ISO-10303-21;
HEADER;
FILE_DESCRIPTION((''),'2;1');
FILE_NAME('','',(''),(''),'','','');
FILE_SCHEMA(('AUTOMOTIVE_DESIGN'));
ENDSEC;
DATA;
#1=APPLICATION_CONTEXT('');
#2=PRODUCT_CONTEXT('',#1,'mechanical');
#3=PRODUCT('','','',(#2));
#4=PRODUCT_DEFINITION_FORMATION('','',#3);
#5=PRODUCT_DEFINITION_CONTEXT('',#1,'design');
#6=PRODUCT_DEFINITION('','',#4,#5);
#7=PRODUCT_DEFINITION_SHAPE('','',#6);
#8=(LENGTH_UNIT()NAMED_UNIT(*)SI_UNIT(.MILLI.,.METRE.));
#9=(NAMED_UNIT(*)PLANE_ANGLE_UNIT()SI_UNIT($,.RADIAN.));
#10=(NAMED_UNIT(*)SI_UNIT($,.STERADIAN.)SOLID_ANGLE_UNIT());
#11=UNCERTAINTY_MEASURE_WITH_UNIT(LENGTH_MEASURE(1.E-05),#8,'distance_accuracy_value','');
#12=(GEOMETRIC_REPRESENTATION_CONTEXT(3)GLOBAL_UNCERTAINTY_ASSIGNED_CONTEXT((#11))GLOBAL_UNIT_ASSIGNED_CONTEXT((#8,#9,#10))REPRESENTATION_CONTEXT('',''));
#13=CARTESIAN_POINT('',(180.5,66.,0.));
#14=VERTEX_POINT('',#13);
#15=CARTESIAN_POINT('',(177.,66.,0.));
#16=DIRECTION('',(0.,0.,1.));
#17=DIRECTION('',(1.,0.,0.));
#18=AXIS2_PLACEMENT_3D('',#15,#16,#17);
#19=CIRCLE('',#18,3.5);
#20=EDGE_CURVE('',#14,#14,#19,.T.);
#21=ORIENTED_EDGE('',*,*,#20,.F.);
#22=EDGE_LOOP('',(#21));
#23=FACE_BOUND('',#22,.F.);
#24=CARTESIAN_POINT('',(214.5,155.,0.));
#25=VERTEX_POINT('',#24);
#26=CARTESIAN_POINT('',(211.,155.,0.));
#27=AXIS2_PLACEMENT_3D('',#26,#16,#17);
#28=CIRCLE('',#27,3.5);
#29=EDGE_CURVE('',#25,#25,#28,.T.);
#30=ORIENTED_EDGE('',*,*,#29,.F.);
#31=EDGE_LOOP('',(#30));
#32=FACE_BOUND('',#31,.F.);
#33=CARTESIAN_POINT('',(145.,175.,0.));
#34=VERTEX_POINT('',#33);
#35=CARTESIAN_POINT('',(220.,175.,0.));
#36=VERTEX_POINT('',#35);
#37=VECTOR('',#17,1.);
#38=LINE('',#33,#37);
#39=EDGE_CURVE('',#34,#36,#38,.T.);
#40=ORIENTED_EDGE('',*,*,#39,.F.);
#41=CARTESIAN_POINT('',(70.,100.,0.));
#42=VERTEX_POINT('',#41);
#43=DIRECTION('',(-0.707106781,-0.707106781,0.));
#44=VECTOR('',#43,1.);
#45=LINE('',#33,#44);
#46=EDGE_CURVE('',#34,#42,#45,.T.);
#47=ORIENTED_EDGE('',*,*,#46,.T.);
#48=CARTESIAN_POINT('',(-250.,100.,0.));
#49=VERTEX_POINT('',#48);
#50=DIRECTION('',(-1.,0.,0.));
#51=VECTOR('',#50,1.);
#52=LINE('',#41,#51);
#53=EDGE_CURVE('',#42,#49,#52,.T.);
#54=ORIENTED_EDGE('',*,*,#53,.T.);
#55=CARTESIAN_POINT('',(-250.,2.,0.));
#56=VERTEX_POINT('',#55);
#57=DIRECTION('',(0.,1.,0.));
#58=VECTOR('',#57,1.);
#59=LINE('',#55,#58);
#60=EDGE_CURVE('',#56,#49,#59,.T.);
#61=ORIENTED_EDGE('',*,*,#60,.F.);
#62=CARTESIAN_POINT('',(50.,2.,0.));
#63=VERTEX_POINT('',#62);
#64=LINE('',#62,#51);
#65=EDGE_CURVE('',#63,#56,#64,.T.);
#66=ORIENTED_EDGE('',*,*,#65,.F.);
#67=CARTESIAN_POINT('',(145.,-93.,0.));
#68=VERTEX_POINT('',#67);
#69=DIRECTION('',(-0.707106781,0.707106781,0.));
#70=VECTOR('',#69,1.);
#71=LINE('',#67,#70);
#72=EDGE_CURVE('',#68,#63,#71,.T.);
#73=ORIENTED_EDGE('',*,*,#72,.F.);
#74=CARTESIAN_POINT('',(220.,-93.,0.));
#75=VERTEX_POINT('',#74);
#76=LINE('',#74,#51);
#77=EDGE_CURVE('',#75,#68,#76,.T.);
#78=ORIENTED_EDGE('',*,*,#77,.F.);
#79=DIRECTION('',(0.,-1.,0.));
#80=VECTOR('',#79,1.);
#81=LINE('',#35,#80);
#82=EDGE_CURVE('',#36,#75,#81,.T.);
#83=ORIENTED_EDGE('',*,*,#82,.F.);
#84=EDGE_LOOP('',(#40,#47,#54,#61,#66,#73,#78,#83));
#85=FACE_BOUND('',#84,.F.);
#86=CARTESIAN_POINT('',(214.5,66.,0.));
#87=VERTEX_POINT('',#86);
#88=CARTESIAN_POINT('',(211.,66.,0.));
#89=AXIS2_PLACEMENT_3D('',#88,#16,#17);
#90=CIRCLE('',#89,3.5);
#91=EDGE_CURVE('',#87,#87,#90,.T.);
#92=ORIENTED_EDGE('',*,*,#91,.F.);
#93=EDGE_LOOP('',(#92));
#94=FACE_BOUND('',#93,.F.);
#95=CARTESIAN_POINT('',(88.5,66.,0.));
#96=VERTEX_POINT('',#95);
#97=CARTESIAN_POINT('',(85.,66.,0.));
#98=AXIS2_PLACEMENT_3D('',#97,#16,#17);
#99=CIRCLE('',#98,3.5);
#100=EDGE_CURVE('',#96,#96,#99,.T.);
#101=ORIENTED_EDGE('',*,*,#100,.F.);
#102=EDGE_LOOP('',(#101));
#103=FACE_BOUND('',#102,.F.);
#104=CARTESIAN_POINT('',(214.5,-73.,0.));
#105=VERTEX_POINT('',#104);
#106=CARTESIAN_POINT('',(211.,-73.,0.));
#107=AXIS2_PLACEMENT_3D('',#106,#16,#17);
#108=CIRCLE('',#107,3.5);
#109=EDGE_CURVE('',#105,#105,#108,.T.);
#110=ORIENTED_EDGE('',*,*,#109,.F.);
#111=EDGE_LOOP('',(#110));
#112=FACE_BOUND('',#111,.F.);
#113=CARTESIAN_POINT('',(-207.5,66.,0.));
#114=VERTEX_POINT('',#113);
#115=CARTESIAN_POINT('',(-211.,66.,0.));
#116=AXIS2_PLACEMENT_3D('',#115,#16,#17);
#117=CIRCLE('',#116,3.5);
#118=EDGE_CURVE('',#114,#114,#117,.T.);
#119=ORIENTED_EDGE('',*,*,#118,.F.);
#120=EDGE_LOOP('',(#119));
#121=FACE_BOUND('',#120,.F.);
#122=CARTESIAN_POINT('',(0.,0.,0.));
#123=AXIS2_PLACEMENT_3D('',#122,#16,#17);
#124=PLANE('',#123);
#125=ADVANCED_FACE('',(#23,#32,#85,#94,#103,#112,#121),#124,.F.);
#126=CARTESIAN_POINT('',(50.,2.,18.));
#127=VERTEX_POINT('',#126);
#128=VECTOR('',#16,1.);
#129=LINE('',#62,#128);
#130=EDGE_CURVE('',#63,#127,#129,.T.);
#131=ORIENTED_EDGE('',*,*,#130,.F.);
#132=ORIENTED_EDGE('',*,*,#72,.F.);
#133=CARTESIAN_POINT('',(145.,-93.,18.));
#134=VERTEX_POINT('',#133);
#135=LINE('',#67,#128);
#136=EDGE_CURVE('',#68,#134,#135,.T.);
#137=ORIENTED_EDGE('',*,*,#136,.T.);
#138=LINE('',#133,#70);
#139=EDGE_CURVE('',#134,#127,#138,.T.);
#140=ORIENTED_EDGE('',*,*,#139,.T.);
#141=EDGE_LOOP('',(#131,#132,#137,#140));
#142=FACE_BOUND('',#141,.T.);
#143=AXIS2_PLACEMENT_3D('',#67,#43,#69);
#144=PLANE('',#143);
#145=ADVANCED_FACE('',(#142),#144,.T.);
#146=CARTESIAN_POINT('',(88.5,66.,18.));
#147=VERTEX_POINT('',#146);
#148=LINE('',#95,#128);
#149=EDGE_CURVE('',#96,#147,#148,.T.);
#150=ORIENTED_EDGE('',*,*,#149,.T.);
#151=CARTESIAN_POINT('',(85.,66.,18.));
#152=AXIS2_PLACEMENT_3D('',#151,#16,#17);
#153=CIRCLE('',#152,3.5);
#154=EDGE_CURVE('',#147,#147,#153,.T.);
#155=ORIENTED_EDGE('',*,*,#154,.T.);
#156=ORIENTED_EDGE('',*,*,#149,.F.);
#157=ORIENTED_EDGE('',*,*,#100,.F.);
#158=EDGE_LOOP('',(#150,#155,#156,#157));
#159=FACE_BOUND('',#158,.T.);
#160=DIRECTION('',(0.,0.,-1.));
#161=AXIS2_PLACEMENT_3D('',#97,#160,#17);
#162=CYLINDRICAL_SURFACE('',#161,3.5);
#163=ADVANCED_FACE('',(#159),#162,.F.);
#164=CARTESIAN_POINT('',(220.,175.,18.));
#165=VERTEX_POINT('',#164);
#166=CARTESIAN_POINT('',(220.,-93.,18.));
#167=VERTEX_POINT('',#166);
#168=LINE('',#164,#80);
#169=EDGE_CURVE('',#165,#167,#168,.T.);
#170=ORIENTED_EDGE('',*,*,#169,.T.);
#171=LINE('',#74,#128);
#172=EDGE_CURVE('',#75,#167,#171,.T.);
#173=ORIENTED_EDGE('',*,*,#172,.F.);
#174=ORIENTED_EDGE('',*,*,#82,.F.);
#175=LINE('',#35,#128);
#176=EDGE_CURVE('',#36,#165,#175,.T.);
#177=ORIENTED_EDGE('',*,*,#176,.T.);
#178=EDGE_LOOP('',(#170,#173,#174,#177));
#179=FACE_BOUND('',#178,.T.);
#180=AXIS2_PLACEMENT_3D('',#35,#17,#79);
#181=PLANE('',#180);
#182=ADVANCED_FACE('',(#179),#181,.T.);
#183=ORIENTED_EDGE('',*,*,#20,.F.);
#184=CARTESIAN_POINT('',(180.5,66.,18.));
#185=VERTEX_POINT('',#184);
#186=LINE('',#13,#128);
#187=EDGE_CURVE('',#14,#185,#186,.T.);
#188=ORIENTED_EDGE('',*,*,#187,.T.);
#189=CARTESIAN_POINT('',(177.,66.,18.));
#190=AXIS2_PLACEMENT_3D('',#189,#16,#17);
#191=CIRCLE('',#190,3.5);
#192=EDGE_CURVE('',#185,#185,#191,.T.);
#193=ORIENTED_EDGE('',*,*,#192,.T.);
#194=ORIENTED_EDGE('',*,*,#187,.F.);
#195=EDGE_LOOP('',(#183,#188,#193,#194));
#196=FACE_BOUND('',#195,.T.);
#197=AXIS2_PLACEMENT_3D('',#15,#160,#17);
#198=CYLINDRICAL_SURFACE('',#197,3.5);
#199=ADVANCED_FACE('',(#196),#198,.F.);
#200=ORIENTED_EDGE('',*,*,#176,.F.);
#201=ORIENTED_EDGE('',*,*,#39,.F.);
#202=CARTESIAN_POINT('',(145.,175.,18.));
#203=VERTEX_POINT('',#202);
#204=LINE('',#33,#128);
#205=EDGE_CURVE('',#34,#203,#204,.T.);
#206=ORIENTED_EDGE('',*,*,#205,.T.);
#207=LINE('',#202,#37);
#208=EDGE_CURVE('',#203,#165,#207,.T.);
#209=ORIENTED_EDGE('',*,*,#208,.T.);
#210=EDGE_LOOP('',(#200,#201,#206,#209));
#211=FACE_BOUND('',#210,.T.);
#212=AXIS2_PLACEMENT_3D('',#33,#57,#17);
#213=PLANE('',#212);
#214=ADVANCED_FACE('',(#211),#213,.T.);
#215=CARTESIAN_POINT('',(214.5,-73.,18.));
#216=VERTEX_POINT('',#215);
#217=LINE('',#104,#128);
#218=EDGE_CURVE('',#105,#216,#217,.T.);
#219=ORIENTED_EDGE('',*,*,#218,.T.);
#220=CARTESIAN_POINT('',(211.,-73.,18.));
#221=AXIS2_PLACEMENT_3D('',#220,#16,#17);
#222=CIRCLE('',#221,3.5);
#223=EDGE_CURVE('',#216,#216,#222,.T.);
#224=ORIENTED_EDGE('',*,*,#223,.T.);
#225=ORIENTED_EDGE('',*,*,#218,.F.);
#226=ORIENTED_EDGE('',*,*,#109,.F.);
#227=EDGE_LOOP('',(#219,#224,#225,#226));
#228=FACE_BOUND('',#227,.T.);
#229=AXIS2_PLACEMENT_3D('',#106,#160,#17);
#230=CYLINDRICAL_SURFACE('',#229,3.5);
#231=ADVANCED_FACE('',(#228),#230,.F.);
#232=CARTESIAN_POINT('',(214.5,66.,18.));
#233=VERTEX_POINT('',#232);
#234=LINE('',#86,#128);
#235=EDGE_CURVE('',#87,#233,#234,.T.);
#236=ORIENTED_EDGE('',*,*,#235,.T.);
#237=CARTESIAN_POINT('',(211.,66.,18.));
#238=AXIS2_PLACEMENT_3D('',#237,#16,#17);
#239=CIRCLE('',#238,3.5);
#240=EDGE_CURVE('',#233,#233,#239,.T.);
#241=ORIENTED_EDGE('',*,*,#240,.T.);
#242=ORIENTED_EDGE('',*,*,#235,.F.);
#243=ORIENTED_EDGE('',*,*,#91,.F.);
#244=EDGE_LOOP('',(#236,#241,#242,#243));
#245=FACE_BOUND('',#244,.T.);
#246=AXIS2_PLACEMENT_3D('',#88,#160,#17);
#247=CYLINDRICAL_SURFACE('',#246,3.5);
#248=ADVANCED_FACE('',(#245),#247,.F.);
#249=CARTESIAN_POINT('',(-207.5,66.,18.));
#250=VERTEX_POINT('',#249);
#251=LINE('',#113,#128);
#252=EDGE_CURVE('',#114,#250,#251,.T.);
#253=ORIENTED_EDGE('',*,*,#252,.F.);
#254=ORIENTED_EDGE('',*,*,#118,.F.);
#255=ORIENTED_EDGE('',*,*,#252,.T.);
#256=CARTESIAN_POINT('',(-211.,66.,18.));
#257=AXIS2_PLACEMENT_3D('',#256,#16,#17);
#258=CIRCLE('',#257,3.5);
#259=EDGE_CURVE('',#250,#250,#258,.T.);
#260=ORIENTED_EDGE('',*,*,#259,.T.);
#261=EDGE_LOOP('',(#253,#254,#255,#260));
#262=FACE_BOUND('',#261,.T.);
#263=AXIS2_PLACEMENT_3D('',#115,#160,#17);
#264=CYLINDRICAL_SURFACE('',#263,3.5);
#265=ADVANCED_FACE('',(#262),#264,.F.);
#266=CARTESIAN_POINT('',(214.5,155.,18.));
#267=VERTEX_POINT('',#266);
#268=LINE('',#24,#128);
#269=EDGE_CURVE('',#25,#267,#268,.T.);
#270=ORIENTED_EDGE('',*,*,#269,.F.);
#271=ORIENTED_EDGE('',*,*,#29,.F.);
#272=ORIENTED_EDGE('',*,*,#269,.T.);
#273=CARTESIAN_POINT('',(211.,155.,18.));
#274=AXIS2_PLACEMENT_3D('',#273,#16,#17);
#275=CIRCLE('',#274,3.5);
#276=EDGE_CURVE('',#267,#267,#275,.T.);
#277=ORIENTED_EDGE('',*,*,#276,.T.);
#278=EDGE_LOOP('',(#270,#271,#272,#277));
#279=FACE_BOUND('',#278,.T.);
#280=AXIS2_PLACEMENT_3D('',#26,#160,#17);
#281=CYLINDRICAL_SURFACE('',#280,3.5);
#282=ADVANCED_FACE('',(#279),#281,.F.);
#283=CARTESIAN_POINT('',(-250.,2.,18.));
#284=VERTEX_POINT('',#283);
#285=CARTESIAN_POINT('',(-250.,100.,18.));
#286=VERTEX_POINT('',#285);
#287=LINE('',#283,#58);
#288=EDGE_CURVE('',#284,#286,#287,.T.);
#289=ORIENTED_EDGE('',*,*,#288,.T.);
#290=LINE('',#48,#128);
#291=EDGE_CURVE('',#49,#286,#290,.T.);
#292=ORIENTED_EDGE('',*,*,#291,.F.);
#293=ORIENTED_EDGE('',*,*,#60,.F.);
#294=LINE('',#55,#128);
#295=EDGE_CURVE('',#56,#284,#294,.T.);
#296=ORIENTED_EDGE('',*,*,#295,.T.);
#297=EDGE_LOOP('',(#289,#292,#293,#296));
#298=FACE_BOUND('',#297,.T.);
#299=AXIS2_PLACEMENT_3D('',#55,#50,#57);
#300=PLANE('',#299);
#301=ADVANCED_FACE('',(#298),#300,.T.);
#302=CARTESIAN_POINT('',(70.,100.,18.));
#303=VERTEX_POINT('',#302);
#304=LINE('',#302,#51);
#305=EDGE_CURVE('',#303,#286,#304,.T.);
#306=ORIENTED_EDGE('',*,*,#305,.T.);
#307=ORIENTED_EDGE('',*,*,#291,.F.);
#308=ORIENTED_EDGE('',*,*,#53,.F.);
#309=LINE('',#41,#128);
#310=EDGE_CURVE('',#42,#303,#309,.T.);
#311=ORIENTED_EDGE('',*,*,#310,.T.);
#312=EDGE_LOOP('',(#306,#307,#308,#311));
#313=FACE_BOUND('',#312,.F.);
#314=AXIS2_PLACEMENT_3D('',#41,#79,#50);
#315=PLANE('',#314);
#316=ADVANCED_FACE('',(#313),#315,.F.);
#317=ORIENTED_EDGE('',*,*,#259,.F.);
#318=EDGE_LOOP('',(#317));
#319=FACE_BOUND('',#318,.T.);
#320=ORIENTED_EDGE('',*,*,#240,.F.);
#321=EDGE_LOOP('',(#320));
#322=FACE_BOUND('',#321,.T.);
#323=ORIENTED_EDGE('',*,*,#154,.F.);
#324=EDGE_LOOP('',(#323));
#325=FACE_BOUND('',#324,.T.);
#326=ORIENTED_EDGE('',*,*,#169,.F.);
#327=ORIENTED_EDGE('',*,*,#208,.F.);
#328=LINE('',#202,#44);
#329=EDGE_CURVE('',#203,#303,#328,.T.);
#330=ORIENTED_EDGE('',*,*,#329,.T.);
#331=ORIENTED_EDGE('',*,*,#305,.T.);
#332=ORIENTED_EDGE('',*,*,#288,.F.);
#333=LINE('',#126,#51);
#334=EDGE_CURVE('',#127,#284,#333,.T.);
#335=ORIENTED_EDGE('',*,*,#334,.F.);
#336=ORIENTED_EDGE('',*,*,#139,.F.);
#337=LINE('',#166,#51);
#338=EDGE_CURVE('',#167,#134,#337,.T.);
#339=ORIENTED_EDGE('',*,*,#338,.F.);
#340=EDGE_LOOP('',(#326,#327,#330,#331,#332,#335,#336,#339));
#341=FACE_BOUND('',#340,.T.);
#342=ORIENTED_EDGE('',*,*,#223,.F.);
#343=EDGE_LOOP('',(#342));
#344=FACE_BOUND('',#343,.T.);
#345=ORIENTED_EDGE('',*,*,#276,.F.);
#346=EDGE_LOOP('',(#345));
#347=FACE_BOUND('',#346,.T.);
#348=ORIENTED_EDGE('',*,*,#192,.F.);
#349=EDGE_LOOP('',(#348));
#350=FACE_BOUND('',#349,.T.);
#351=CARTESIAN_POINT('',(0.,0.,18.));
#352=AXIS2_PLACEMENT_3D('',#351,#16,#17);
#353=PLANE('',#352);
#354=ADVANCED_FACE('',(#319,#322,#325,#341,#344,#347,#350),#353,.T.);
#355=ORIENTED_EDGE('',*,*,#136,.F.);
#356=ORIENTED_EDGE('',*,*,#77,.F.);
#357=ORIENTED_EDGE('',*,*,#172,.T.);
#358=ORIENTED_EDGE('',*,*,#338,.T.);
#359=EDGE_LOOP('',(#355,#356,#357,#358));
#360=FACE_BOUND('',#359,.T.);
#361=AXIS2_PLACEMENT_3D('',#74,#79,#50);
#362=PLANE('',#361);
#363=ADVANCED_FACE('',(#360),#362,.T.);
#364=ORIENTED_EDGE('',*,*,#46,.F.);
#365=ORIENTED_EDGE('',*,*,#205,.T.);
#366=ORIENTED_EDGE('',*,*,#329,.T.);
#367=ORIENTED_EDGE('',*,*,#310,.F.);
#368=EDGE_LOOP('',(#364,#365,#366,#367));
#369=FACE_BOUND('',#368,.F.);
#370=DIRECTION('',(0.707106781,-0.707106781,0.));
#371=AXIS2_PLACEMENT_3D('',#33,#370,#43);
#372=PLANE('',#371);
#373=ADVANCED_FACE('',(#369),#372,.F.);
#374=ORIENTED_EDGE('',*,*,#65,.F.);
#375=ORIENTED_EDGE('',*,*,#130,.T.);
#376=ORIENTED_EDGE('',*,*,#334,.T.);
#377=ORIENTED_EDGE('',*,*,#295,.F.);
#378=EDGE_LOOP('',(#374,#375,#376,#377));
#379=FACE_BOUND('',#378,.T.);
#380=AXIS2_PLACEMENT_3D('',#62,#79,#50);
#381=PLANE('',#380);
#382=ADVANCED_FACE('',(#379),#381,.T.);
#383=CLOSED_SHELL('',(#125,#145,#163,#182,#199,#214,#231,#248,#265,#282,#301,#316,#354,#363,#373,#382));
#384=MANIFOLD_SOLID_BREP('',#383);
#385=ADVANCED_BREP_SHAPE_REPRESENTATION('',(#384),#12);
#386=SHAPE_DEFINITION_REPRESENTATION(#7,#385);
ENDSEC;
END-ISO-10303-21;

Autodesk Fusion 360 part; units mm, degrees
sketch "Top" plane through (0, 0, 0) normal (0, 0, 1) x (1, 0, 0)
  line L0 (145, 175) -> (220, 175)
  line L1 (220, 175) -> (220, -93)
  line L2 (220, -93) -> (145, -93)
  line L3 (-250, 2) -> (-250, 100)
  line L4 (145, 175) -> (70, 100)
  line L5 (145, -93) -> (50, 2)
  line L6 (70, 100) -> (-250, 100)
  line L7 (50, 2) -> (-250, 2)
  line L8 (211, 175) -> (211, -93) construction
  line L9 (220, 66) -> (-250, 66) construction
  circle A0 centre (211, 66) radius 3.5
  circle A1 centre (211, 155) radius 3.5
  circle A2 centre (211, -73) radius 3.5
  circle A3 centre (85, 66) radius 3.5
  circle A4 centre (-211, 66) radius 3.5
  circle A5 centre (177, 66) radius 3.5
  dimension "d3" = 75
  dimension "d4" = 75
  dimension "d5" = 95
  dimension "d6" = 95
  dimension "d7" = 268
  dimension "d8" = 470
  dimension "d9" = 75
  dimension "d10" = 9
  dimension "d11" = 34
  dimension "d12" = 7
  dimension "d13" = 7
  dimension "d14" = 7
  dimension "d15" = 89
  dimension "d16" = 139
  dimension "d17" = 7
  dimension "d18" = 7
  dimension "d19" = 7
  dimension "d20" = 34
  dimension "d21" = 92
  dimension "d22" = 296
extrude "Extrude1" add sketch "Top" along normal blind 18
